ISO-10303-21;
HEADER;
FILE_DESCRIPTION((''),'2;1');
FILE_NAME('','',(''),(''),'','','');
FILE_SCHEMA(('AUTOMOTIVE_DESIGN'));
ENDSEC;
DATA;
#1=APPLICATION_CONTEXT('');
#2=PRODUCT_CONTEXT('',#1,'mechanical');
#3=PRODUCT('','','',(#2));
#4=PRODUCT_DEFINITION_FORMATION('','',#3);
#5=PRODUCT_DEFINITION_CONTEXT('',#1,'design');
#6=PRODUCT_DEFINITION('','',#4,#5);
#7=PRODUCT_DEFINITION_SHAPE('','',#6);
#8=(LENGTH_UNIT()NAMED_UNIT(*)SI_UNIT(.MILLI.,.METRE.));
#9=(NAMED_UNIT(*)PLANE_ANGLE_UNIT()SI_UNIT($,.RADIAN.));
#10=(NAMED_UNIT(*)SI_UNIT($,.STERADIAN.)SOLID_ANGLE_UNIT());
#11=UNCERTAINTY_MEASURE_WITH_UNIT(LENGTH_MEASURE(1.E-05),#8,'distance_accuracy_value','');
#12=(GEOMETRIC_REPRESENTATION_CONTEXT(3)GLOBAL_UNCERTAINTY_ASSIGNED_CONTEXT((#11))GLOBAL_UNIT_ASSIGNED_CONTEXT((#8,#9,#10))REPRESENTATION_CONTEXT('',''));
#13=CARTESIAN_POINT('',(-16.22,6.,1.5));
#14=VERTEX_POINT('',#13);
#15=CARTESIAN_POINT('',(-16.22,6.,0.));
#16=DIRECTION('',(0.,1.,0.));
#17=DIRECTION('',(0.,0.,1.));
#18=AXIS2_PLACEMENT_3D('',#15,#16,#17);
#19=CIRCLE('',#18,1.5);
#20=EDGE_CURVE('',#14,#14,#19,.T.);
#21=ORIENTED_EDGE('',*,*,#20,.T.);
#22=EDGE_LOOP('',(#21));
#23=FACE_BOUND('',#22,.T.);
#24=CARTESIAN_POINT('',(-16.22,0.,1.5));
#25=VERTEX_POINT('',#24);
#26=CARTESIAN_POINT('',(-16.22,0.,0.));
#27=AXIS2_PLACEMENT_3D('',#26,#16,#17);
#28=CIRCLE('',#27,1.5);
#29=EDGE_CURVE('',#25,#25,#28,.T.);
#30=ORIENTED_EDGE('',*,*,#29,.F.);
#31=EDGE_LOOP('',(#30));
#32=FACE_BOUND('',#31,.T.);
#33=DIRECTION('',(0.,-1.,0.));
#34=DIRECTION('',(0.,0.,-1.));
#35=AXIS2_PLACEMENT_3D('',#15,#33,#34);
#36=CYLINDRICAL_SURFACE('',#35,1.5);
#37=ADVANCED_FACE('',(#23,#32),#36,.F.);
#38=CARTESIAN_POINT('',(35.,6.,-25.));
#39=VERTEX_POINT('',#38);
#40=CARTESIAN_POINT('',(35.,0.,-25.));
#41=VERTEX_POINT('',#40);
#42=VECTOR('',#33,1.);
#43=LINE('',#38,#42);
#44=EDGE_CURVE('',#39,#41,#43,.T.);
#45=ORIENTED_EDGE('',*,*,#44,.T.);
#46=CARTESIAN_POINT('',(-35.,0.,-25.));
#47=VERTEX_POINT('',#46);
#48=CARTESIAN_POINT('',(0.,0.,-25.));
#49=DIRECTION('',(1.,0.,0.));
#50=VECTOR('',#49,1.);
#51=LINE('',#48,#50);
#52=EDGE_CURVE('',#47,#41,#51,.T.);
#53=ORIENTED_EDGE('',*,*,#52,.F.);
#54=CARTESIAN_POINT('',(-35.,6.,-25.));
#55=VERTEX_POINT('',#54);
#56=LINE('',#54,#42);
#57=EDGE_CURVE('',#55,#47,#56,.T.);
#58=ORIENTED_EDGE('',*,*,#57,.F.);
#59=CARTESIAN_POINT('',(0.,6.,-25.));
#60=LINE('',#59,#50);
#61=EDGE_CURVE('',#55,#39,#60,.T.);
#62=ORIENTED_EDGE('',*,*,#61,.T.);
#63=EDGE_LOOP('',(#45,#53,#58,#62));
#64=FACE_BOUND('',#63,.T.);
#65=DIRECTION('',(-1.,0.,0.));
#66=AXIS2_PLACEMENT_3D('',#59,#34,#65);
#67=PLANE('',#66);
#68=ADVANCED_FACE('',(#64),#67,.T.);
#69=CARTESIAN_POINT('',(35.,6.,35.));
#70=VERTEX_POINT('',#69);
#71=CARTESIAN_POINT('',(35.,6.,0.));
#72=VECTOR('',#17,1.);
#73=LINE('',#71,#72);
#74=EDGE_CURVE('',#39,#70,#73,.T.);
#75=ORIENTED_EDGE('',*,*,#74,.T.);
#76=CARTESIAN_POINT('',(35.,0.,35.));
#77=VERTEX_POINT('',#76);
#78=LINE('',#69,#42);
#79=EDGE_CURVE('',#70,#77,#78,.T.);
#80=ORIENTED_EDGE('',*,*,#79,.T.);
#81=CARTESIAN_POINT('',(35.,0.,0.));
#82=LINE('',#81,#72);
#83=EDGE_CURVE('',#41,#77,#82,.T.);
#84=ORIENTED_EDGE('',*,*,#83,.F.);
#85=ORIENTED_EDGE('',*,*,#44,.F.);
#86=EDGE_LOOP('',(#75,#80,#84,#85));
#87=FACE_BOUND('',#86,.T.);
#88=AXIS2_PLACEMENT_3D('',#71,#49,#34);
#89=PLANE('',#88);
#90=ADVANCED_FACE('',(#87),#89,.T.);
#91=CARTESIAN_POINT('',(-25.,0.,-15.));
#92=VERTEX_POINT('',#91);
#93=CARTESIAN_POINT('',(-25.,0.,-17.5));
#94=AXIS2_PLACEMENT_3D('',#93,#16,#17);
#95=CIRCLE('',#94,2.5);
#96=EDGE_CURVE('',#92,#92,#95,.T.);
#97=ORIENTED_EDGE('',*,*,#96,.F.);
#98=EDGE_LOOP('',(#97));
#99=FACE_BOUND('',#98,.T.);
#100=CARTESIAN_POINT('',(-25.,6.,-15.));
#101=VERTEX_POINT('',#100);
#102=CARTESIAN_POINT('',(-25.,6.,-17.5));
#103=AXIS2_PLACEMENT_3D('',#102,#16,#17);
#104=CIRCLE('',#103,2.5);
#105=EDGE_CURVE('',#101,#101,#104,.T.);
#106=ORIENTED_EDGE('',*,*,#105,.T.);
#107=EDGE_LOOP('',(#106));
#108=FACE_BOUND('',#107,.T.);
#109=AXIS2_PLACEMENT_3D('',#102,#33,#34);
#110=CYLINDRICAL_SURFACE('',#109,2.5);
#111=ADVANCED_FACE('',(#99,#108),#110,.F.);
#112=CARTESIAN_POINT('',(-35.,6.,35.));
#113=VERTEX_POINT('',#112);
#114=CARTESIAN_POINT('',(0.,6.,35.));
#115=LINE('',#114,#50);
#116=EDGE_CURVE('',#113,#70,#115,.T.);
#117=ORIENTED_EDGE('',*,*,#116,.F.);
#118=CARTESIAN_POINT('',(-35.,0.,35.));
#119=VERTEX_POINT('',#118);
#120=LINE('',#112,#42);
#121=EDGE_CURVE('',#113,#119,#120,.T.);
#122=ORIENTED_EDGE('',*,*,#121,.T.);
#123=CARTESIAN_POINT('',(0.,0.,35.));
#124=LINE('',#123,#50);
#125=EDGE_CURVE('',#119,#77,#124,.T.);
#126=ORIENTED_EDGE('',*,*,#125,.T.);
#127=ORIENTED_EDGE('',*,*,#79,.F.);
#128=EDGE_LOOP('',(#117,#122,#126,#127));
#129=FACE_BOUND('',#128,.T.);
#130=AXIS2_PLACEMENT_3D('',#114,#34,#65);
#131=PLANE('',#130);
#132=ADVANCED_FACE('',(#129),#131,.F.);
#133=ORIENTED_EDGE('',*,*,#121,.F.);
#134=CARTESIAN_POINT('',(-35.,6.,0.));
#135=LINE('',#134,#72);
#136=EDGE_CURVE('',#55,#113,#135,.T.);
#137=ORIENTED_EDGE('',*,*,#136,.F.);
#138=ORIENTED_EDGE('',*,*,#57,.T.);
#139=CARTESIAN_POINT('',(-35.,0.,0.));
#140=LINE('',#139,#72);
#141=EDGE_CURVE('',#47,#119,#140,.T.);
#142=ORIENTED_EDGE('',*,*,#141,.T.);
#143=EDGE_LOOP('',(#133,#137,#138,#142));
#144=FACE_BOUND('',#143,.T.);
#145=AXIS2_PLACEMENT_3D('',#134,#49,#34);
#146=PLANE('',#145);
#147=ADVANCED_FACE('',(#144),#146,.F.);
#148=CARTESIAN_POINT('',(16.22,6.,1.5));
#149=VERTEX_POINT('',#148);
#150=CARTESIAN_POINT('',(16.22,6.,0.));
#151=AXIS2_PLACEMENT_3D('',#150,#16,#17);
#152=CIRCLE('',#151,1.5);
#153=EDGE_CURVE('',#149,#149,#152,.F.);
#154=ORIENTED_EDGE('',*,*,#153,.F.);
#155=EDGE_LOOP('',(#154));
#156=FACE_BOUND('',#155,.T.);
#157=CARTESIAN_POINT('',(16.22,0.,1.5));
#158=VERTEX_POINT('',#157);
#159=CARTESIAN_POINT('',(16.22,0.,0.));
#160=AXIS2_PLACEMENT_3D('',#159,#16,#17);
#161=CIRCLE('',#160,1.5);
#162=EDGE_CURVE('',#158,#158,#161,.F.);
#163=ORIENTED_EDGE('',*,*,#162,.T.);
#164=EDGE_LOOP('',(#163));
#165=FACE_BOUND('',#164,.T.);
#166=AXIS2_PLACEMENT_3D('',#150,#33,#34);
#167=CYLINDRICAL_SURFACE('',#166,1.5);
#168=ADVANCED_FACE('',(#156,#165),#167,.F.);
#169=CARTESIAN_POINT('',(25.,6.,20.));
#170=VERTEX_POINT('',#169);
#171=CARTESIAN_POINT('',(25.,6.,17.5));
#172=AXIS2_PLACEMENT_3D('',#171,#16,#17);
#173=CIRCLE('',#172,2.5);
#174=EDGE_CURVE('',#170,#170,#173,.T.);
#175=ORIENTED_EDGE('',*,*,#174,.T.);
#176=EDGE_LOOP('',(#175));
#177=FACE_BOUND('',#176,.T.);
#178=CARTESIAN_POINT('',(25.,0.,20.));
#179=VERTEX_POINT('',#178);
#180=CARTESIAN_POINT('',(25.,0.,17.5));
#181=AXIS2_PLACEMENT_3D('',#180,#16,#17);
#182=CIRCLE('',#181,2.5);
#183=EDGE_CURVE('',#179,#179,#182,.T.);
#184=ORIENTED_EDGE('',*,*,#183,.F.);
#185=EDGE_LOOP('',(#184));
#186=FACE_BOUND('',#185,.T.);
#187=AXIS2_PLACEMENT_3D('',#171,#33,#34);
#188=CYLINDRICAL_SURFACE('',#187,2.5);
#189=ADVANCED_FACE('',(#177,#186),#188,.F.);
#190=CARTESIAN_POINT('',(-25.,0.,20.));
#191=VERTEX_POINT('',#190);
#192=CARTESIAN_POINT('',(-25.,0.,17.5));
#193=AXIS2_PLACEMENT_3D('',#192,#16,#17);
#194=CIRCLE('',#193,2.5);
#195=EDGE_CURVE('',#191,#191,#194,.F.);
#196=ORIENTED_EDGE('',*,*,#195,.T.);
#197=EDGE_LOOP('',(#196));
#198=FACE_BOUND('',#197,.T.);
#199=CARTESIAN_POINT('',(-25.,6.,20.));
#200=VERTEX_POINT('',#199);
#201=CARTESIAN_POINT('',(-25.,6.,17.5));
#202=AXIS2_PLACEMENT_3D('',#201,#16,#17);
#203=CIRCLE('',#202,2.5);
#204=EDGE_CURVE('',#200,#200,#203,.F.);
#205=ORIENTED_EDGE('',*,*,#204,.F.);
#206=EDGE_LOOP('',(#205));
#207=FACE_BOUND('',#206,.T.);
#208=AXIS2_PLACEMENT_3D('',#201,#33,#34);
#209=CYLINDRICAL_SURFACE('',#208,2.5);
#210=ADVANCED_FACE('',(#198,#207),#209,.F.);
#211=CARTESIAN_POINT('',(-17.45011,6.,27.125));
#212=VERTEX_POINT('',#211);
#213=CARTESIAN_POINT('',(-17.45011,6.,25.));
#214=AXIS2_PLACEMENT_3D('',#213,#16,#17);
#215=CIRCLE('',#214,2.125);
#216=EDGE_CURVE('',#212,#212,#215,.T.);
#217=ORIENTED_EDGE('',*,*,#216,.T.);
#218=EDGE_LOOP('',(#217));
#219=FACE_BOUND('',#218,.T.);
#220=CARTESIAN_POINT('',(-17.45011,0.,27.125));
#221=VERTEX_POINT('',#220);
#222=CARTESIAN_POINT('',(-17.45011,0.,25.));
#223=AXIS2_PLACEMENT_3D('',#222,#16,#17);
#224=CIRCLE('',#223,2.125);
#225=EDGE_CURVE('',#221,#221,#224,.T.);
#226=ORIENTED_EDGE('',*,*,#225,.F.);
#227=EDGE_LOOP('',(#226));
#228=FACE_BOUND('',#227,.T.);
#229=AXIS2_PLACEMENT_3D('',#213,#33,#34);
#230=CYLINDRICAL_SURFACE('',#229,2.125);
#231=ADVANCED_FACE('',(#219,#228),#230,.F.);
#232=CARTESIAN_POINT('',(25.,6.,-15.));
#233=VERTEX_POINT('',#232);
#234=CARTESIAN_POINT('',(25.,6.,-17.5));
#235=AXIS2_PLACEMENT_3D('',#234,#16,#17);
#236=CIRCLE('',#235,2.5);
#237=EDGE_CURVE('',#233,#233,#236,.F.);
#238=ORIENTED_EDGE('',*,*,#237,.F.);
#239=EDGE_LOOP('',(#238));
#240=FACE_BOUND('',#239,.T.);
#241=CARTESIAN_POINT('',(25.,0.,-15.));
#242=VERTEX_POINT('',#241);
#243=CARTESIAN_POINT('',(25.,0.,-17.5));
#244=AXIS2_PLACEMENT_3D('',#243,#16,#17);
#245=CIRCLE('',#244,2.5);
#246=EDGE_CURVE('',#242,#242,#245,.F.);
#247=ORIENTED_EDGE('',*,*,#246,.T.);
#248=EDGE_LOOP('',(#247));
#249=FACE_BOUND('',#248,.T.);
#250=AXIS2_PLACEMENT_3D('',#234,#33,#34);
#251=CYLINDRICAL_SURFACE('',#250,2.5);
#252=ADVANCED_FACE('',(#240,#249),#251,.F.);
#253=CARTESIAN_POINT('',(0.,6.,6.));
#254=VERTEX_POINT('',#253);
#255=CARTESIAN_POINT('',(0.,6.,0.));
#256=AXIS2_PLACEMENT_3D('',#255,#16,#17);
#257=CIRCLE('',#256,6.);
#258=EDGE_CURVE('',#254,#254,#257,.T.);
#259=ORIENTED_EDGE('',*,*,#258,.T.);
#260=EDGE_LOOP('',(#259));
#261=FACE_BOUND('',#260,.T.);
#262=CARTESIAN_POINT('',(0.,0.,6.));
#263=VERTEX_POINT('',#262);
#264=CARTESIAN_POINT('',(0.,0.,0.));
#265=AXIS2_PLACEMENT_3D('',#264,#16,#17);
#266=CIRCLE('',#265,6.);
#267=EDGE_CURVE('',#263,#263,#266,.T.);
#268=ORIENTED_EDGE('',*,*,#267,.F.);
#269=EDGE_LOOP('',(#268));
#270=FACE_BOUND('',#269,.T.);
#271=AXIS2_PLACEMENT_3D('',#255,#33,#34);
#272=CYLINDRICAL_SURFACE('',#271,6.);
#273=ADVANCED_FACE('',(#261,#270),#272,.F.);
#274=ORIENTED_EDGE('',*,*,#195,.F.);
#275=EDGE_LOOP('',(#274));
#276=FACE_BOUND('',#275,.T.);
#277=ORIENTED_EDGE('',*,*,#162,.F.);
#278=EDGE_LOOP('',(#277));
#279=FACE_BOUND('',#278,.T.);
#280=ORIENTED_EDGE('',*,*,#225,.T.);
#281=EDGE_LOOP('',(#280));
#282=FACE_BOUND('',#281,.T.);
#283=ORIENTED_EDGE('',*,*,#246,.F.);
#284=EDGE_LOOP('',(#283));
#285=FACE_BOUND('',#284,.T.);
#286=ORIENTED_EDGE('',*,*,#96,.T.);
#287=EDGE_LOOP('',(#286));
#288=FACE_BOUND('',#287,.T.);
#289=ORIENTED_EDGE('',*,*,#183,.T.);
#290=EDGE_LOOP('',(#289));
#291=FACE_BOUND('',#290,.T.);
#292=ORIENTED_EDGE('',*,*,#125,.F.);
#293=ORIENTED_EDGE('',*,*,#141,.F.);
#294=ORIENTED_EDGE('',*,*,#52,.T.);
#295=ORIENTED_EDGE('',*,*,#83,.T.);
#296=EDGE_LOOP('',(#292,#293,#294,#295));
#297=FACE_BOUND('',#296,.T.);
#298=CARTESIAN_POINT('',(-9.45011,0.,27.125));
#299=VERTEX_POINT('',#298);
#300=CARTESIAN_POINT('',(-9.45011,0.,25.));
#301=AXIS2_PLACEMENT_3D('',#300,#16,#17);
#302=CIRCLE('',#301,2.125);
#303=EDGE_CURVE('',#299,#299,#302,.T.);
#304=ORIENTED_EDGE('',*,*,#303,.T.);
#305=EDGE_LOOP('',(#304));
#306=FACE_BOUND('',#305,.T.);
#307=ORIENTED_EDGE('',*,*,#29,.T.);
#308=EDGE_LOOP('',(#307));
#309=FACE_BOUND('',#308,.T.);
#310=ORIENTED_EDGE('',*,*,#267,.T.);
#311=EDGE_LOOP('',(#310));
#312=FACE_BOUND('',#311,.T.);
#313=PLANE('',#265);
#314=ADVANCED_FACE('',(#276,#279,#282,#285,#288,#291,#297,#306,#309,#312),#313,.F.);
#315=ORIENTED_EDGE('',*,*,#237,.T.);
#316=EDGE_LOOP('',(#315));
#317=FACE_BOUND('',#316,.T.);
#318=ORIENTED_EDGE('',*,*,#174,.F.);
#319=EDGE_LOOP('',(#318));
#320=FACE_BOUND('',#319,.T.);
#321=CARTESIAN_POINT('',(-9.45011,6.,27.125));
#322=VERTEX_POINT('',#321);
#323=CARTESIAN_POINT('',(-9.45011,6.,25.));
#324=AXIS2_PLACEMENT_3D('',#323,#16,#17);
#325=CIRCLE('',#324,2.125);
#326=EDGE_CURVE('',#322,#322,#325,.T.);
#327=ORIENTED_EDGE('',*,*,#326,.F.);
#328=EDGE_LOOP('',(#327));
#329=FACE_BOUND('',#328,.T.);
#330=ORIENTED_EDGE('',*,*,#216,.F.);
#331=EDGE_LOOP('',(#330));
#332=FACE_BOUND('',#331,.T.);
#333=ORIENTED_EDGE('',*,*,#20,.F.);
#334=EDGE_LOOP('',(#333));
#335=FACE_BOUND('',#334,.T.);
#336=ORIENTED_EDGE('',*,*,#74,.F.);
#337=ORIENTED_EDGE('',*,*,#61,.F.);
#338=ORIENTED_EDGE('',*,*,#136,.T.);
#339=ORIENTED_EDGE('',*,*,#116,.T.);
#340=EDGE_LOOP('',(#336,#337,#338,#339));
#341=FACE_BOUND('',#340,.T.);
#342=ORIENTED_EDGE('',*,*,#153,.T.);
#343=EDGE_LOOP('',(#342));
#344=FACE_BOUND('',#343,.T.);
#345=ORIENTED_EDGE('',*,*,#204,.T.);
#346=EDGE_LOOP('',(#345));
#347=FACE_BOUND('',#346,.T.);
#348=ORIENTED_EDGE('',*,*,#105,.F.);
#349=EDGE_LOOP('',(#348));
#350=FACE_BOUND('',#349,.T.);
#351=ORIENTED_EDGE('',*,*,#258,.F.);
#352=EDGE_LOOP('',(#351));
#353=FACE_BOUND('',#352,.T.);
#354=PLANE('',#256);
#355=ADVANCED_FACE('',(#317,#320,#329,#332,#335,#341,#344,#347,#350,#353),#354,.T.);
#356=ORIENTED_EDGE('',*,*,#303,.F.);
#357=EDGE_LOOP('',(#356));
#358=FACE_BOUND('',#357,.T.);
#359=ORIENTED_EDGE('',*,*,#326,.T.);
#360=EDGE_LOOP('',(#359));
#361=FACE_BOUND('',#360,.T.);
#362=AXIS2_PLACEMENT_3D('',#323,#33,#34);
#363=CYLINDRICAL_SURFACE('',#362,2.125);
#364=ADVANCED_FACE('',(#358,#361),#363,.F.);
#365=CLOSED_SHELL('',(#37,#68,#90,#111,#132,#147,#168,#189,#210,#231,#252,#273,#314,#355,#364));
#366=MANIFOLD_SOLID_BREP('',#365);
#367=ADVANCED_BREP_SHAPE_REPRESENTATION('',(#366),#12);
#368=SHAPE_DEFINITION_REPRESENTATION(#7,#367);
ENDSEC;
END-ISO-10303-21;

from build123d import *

# Parameters (mm, degrees)
SKETCH1_W           = 70
SKETCH1_H           = 60
SKETCH1_R           = 2.125
SKETCH1_R_2         = 2.5
SKETCH1_R_3         = 1.5
SKETCH1_R_4         = 6
BOSS_EXTRUDE1_DEPTH = 6


with BuildPart() as part:
    # Sketch1 → Boss-Extrude1 (new body)
    with BuildSketch(Plane(origin=(0, 0, 0), x_dir=(1, 0, 0), z_dir=(0, 1, 0))):
        with Locations((0, -5)):
            Rectangle(SKETCH1_W, SKETCH1_H)
        with Locations((-9.450109616, -25)):
            Circle(SKETCH1_R, mode=Mode.SUBTRACT)
        with Locations((-17.450109616, -25)):
            Circle(SKETCH1_R, mode=Mode.SUBTRACT)
        with Locations((-25, -17.5)):
            Circle(SKETCH1_R_2, mode=Mode.SUBTRACT)
        with Locations((25, -17.5)):
            Circle(SKETCH1_R_2, mode=Mode.SUBTRACT)
        with Locations((-16.22, 0)):
            Circle(SKETCH1_R_3, mode=Mode.SUBTRACT)
        Circle(SKETCH1_R_4, mode=Mode.SUBTRACT)
        with Locations((-25, 17.5)):
            Circle(SKETCH1_R_2, mode=Mode.SUBTRACT)
        with Locations((16.22, 0)):
            Circle(SKETCH1_R_3, mode=Mode.SUBTRACT)
        with Locations((25, 17.5)):
            Circle(SKETCH1_R_2, mode=Mode.SUBTRACT)
    extrude(amount=BOSS_EXTRUDE1_DEPTH)


solid = part.part
